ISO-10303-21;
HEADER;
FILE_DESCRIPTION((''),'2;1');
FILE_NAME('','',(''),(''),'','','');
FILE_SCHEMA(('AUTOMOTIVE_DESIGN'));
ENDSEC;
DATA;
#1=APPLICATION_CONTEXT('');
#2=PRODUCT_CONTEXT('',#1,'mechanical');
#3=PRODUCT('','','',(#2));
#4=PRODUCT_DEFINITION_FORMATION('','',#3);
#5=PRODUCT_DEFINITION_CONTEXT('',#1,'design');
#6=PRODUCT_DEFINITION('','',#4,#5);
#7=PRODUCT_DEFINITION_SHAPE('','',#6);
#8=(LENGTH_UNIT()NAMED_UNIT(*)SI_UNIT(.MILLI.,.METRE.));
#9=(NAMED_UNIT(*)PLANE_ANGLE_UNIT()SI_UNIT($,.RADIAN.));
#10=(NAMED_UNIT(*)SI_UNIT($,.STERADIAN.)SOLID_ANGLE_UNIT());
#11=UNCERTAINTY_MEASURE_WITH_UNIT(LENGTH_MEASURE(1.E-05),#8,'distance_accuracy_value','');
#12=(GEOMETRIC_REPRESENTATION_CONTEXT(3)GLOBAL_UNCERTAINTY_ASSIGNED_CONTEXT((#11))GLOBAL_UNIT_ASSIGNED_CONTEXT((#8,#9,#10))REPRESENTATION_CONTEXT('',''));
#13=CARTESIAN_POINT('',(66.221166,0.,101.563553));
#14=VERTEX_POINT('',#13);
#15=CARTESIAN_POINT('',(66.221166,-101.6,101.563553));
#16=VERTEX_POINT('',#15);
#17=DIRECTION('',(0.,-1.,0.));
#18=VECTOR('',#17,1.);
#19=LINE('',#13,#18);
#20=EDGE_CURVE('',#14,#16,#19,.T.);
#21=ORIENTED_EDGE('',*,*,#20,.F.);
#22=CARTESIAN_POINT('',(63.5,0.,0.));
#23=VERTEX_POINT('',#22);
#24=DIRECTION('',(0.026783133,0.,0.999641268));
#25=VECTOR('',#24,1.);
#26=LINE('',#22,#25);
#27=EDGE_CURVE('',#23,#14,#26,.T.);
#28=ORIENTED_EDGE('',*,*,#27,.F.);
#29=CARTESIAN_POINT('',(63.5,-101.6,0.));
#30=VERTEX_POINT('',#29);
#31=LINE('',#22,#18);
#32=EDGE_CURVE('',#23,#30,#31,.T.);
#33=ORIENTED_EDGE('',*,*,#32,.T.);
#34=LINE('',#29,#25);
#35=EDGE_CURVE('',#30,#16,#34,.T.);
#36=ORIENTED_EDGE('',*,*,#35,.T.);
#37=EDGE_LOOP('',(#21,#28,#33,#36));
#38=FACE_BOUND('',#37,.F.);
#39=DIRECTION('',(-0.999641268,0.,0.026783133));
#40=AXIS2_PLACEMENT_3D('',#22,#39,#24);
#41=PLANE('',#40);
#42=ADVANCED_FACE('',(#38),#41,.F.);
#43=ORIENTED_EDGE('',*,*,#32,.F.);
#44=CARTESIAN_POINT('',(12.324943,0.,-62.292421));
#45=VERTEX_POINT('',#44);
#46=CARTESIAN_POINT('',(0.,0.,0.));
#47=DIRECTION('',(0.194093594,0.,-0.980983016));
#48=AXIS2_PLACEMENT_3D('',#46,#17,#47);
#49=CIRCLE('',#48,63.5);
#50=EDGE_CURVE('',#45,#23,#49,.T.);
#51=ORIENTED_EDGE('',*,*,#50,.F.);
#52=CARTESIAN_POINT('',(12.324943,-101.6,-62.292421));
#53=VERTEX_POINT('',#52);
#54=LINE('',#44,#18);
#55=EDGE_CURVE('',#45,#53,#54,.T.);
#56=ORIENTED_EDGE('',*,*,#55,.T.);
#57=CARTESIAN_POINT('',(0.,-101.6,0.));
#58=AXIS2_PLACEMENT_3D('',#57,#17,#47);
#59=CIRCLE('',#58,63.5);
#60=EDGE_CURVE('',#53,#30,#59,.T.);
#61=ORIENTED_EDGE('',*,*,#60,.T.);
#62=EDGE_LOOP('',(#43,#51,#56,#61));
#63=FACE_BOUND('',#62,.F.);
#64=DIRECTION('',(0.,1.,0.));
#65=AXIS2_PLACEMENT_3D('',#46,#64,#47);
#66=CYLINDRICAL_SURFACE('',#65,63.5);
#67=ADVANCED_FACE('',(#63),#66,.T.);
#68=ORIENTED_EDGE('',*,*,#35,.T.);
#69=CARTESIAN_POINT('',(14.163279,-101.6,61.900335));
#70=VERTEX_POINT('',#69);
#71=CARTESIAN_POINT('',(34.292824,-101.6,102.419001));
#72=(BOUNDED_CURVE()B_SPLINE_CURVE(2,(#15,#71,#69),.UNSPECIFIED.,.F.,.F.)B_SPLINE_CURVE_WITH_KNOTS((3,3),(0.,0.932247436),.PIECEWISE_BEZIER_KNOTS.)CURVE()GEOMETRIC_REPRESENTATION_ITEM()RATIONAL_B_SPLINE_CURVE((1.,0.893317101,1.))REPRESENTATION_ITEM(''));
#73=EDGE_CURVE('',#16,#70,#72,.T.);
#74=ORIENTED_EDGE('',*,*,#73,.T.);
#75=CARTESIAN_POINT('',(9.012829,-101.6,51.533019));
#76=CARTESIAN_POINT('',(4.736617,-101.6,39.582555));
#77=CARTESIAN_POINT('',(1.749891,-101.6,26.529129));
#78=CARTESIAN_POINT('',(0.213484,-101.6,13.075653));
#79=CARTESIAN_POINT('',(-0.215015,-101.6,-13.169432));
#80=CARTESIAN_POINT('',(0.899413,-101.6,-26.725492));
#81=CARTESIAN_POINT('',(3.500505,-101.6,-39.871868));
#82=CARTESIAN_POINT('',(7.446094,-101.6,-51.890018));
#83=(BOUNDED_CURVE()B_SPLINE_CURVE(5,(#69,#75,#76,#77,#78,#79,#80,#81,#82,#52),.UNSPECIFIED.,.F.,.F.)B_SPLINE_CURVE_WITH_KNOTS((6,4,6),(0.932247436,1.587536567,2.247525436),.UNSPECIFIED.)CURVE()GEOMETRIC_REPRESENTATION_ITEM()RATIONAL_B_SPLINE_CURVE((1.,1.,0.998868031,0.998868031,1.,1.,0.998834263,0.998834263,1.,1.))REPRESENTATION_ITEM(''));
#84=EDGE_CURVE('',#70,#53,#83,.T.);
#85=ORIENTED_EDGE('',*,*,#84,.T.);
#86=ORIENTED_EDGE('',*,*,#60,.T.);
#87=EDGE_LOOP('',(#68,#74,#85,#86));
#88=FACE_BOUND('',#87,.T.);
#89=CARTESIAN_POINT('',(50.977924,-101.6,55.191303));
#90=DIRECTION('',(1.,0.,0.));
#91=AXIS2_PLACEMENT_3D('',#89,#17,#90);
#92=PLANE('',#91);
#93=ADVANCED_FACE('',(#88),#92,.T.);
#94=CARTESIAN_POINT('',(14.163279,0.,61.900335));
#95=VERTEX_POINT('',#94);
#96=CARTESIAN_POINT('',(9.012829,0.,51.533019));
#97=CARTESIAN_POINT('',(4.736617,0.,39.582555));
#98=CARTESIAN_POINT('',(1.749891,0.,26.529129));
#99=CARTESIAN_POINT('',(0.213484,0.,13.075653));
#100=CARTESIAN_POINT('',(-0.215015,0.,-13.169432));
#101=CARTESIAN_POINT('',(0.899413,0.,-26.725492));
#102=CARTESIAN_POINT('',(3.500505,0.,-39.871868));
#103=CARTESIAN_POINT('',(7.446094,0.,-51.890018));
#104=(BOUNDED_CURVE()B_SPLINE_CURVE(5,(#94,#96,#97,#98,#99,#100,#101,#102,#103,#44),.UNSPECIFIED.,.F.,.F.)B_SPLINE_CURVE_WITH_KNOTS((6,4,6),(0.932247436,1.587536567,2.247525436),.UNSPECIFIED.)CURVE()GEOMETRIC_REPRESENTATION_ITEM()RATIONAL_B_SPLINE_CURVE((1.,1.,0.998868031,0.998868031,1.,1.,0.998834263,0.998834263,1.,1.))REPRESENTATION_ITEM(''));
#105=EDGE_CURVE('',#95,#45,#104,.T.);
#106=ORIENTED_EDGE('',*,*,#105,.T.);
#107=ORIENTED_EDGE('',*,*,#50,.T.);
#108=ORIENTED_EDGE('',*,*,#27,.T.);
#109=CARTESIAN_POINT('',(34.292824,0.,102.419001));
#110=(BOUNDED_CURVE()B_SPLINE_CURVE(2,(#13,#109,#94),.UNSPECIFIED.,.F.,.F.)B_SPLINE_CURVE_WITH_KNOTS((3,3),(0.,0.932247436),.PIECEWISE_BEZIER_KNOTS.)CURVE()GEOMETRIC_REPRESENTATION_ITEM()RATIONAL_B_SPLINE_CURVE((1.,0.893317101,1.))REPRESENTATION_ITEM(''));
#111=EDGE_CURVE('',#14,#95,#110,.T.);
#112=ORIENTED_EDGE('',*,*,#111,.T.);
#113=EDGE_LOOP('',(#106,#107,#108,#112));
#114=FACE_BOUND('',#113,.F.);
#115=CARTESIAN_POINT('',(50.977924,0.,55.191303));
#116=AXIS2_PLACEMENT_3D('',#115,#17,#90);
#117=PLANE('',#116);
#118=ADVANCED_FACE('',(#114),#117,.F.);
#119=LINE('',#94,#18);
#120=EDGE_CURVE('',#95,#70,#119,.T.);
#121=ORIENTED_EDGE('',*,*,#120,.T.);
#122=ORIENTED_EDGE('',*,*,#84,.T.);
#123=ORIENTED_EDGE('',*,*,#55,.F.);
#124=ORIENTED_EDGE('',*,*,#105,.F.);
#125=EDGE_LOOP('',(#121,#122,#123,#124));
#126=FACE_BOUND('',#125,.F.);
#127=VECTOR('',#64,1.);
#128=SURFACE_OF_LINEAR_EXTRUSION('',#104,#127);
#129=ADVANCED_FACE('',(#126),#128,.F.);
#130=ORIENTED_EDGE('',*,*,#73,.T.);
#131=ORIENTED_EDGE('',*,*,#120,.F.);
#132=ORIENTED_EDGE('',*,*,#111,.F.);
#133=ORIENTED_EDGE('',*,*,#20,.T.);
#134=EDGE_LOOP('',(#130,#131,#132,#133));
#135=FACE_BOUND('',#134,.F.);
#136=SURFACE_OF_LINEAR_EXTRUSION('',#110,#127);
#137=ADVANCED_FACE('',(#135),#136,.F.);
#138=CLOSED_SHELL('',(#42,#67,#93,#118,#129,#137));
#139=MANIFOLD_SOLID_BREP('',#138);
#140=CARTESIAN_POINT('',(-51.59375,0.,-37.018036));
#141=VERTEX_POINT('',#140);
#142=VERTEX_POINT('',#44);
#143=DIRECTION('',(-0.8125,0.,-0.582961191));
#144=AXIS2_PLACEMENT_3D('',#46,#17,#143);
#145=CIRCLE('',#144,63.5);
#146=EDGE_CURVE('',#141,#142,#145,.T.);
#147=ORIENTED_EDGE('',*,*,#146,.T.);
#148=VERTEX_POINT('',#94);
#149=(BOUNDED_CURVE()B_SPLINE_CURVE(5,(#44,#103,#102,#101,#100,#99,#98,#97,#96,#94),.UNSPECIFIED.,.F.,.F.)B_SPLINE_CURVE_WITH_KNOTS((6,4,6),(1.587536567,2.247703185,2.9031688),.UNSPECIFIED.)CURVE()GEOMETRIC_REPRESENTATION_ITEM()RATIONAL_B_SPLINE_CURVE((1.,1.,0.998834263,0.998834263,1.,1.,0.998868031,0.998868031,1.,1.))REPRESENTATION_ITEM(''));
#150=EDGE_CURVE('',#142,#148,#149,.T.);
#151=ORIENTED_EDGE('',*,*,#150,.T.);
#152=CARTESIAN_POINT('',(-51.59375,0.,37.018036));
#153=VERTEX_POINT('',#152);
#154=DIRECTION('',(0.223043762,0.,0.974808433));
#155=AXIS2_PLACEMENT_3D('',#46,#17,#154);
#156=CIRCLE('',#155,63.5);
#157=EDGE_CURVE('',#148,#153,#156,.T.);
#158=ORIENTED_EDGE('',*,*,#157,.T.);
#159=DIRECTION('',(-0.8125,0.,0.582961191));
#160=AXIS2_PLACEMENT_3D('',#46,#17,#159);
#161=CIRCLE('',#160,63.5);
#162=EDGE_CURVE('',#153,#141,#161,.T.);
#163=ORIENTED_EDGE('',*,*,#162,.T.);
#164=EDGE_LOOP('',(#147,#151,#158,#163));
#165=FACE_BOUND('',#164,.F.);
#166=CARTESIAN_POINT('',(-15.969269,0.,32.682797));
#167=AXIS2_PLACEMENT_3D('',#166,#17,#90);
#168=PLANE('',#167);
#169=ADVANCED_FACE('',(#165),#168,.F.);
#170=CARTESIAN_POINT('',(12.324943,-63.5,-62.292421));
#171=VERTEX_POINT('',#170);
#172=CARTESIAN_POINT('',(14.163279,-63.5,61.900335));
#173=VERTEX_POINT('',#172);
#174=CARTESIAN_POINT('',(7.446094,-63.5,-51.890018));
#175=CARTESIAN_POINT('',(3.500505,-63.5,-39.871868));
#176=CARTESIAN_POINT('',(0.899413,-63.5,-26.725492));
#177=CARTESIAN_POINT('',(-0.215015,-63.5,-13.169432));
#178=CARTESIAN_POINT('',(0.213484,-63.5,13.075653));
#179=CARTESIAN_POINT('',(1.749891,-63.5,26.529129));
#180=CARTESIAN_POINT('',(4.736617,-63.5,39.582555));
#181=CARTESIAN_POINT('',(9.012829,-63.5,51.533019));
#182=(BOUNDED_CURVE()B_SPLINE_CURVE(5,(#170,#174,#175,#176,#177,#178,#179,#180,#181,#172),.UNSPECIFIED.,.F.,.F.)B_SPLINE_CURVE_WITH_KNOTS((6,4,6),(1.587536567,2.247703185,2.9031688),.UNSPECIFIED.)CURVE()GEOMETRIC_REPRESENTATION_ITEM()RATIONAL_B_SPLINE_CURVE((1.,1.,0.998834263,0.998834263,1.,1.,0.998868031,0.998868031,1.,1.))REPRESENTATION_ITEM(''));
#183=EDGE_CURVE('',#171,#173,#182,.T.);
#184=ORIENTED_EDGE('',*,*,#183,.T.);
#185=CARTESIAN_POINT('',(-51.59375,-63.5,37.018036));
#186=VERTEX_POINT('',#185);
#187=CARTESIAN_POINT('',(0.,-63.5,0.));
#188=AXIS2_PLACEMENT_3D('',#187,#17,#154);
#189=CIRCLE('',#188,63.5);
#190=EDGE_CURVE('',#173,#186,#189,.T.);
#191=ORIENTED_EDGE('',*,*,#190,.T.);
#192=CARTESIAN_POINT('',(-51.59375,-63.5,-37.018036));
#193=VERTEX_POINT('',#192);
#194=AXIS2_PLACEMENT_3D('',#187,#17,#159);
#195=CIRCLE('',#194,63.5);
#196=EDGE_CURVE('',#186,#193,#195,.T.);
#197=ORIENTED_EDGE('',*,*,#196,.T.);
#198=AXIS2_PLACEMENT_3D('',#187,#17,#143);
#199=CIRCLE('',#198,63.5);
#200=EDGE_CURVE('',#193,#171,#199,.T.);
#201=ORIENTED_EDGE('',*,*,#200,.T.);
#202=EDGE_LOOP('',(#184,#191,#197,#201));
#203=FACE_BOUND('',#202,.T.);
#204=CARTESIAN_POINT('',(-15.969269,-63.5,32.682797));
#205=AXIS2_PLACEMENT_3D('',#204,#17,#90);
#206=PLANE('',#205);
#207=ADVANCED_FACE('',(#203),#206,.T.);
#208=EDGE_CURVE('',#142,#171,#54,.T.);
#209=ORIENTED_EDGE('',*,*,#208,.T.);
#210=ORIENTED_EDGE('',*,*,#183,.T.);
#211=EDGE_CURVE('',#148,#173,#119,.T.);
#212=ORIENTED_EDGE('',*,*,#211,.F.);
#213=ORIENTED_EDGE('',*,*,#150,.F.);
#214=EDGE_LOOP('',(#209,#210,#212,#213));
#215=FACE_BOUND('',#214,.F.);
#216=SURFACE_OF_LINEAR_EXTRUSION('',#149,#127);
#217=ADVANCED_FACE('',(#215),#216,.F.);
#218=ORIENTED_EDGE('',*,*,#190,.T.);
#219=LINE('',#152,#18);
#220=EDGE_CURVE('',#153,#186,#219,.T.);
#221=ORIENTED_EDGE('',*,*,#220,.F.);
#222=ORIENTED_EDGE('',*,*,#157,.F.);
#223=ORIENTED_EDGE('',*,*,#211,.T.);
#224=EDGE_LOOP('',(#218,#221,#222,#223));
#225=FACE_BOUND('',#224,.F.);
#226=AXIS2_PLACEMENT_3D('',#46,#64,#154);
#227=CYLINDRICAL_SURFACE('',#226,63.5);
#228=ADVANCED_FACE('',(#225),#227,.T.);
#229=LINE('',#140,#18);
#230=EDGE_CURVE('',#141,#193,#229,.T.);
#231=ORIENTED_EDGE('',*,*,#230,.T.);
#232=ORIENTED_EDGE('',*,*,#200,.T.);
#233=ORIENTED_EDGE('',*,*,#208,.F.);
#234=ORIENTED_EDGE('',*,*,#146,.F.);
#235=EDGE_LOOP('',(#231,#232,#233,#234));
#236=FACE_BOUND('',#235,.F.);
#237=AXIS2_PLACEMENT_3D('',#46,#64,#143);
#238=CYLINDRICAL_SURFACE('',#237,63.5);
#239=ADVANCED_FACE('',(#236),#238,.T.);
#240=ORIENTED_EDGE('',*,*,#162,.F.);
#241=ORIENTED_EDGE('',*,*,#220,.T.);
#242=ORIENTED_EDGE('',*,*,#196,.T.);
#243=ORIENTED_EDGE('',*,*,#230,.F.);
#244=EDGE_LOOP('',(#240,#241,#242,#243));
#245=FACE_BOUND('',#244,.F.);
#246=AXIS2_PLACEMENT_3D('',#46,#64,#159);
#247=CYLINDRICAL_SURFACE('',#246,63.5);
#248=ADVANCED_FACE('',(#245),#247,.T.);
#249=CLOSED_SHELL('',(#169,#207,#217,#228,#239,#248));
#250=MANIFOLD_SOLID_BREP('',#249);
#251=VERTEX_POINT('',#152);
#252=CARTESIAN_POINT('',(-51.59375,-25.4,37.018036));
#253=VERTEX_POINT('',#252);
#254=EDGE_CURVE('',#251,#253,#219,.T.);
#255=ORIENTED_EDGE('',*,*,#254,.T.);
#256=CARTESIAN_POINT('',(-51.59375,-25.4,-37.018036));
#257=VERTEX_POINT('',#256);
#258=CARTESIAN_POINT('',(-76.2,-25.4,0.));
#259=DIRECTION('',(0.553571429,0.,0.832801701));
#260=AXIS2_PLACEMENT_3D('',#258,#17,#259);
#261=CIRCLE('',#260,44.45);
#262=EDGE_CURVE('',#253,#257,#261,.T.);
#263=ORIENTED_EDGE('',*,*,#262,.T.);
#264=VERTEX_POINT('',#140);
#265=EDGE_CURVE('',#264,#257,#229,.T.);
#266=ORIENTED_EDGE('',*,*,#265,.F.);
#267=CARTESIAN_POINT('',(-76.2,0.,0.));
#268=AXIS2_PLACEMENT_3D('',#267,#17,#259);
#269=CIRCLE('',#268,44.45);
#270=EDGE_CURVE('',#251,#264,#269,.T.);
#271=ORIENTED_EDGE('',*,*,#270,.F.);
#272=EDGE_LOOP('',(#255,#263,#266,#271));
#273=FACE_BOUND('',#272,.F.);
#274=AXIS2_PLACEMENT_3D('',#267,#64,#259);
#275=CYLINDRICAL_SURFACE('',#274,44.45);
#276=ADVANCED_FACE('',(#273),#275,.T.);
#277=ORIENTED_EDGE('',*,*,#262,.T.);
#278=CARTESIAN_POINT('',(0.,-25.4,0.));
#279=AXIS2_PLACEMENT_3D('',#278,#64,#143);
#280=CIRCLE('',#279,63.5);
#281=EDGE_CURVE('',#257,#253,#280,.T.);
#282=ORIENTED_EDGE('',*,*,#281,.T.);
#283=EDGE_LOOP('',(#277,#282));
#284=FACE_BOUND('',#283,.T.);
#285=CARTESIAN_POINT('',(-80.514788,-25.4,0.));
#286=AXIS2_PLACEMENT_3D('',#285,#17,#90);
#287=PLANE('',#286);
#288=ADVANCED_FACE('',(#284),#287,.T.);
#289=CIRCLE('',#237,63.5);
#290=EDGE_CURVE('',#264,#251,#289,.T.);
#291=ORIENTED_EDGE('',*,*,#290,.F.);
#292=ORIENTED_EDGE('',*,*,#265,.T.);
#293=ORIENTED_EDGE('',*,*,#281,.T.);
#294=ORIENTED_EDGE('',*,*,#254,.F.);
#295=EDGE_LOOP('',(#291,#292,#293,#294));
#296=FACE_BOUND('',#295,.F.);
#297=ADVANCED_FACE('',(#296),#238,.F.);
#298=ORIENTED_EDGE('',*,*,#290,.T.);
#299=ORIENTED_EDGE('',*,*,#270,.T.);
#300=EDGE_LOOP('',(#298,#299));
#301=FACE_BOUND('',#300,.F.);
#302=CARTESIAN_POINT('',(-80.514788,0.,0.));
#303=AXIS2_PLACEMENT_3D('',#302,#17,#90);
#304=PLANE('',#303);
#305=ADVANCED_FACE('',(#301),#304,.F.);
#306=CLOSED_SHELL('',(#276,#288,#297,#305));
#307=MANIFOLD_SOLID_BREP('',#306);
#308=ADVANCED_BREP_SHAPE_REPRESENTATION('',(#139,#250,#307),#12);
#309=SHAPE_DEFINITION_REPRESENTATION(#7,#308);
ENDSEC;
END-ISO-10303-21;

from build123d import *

# Parameters (mm, degrees)
F1_DEPTH = 25.4
F2_DEPTH = 63.5
F3_DEPTH = 101.6


with BuildPart() as f1:
    # F0 (on Front) → F1 (new body)
    with BuildSketch(Plane.XZ):
        with BuildLine():
            ThreePointArc((-51.59375, -37.0180356169), (-60.4501990278, -19.4428248333), (-63.5, 0))
            ThreePointArc((-63.5, 0), (-60.4501990278, 19.4428248333), (-51.59375, 37.0180356169))
            ThreePointArc((-51.59375, 37.0180356169), (-120.65, 0), (-51.59375, -37.0180356169))
        make_face()
    extrude(amount=F1_DEPTH)


with BuildPart() as f2:
    # F0 (on Front) → F2 (new body)
    with BuildSketch(Plane.XZ):
        with BuildLine():
            Line((-31.75, 0), (0, 0))
            add(Edge.make_bspline(
                [(14.1632788945, 61.9003354672), (0.5636968609, 34.5258018774), (0, 0)],
                knots=[0.9322474365, 0.9322474365, 0.9322474365, 1.5875365671, 1.5875365671, 1.5875365671], degree=2, weights=[1, 0.9468029807, 1]))
            ThreePointArc((14.1632788945, 61.9003354672), (-22.4731451572, 59.3903001065), (-51.59375, 37.0180356169))
            ThreePointArc((-51.59375, 37.0180356169), (-37.0237934934, 21.0006510316), (-31.75, 0))
        make_face()
        with BuildLine():
            add(Edge.make_bspline(
                [(0, 0), (-0.5682123889, -34.8023729145), (12.3249432224, -62.2924214858)],
                knots=[1.5875365671, 1.5875365671, 1.5875365671, 2.2477031853, 2.2477031853, 2.2477031853], degree=2, weights=[1, 0.9460153445, 1]))
            Line((0, 0), (-31.75, 0))
            ThreePointArc((-31.75, 0), (-37.0237934934, -21.0006510316), (-51.59375, -37.0180356169))
            ThreePointArc((-51.59375, -37.0180356169), (-23.3496989637, -59.0511774506), (12.3249432224, -62.2924214858))
        make_face()
        with BuildLine():
            Line((-63.5, 0), (-31.75, 0))
            ThreePointArc((-31.75, 0), (-37.0237934934, 21.0006510316), (-51.59375, 37.0180356169))
            ThreePointArc((-51.59375, 37.0180356169), (-60.4501990278, 19.4428248333), (-63.5, 0))
        make_face()
        with BuildLine():
            ThreePointArc((-51.59375, -37.0180356169), (-37.0237934934, -21.0006510316), (-31.75, 0))
            Line((-31.75, 0), (-63.5, 0))
            ThreePointArc((-63.5, 0), (-60.4501990278, -19.4428248333), (-51.59375, -37.0180356169))
        make_face()
    extrude(amount=F2_DEPTH)


with BuildPart() as f3:
    # F0 (on Front) → F3 (new body)
    with BuildSketch(Plane.XZ):
        with BuildLine():
            add(Edge.make_bspline(
                [(66.2211663616, 101.5635527817), (34.292824118, 102.4190007107), (14.1632788945, 61.9003354672)],
                knots=[0, 0, 0, 0.9322474365, 0.9322474365, 0.9322474365], degree=2, weights=[1, 0.8933171005, 1]))
            ThreePointArc((14.1632788945, 61.9003354672), (49.6569139687, 39.578288178), (63.5, 0))
            Line((63.5, 0), (66.2211663616, 101.5635527817))
        make_face()
        with BuildLine():
            add(Edge.make_bspline(
                [(14.1632788945, 61.9003354672), (0.5636968609, 34.5258018774), (0, 0)],
                knots=[0.9322474365, 0.9322474365, 0.9322474365, 1.5875365671, 1.5875365671, 1.5875365671], degree=2, weights=[1, 0.9468029807, 1]))
            add(Edge.make_bspline(
                [(0, 0), (-0.5682123889, -34.8023729145), (12.3249432224, -62.2924214858)],
                knots=[1.5875365671, 1.5875365671, 1.5875365671, 2.2477031853, 2.2477031853, 2.2477031853], degree=2, weights=[1, 0.9460153445, 1]))
            ThreePointArc((12.3249432224, -62.2924214858), (49.0656901237, -40.3089078578), (63.5, 0))
            ThreePointArc((63.5, 0), (49.6569139687, 39.578288178), (14.1632788945, 61.9003354672))
        make_face()
    extrude(amount=F3_DEPTH)


solid = Compound([f1.part, f2.part, f3.part])
